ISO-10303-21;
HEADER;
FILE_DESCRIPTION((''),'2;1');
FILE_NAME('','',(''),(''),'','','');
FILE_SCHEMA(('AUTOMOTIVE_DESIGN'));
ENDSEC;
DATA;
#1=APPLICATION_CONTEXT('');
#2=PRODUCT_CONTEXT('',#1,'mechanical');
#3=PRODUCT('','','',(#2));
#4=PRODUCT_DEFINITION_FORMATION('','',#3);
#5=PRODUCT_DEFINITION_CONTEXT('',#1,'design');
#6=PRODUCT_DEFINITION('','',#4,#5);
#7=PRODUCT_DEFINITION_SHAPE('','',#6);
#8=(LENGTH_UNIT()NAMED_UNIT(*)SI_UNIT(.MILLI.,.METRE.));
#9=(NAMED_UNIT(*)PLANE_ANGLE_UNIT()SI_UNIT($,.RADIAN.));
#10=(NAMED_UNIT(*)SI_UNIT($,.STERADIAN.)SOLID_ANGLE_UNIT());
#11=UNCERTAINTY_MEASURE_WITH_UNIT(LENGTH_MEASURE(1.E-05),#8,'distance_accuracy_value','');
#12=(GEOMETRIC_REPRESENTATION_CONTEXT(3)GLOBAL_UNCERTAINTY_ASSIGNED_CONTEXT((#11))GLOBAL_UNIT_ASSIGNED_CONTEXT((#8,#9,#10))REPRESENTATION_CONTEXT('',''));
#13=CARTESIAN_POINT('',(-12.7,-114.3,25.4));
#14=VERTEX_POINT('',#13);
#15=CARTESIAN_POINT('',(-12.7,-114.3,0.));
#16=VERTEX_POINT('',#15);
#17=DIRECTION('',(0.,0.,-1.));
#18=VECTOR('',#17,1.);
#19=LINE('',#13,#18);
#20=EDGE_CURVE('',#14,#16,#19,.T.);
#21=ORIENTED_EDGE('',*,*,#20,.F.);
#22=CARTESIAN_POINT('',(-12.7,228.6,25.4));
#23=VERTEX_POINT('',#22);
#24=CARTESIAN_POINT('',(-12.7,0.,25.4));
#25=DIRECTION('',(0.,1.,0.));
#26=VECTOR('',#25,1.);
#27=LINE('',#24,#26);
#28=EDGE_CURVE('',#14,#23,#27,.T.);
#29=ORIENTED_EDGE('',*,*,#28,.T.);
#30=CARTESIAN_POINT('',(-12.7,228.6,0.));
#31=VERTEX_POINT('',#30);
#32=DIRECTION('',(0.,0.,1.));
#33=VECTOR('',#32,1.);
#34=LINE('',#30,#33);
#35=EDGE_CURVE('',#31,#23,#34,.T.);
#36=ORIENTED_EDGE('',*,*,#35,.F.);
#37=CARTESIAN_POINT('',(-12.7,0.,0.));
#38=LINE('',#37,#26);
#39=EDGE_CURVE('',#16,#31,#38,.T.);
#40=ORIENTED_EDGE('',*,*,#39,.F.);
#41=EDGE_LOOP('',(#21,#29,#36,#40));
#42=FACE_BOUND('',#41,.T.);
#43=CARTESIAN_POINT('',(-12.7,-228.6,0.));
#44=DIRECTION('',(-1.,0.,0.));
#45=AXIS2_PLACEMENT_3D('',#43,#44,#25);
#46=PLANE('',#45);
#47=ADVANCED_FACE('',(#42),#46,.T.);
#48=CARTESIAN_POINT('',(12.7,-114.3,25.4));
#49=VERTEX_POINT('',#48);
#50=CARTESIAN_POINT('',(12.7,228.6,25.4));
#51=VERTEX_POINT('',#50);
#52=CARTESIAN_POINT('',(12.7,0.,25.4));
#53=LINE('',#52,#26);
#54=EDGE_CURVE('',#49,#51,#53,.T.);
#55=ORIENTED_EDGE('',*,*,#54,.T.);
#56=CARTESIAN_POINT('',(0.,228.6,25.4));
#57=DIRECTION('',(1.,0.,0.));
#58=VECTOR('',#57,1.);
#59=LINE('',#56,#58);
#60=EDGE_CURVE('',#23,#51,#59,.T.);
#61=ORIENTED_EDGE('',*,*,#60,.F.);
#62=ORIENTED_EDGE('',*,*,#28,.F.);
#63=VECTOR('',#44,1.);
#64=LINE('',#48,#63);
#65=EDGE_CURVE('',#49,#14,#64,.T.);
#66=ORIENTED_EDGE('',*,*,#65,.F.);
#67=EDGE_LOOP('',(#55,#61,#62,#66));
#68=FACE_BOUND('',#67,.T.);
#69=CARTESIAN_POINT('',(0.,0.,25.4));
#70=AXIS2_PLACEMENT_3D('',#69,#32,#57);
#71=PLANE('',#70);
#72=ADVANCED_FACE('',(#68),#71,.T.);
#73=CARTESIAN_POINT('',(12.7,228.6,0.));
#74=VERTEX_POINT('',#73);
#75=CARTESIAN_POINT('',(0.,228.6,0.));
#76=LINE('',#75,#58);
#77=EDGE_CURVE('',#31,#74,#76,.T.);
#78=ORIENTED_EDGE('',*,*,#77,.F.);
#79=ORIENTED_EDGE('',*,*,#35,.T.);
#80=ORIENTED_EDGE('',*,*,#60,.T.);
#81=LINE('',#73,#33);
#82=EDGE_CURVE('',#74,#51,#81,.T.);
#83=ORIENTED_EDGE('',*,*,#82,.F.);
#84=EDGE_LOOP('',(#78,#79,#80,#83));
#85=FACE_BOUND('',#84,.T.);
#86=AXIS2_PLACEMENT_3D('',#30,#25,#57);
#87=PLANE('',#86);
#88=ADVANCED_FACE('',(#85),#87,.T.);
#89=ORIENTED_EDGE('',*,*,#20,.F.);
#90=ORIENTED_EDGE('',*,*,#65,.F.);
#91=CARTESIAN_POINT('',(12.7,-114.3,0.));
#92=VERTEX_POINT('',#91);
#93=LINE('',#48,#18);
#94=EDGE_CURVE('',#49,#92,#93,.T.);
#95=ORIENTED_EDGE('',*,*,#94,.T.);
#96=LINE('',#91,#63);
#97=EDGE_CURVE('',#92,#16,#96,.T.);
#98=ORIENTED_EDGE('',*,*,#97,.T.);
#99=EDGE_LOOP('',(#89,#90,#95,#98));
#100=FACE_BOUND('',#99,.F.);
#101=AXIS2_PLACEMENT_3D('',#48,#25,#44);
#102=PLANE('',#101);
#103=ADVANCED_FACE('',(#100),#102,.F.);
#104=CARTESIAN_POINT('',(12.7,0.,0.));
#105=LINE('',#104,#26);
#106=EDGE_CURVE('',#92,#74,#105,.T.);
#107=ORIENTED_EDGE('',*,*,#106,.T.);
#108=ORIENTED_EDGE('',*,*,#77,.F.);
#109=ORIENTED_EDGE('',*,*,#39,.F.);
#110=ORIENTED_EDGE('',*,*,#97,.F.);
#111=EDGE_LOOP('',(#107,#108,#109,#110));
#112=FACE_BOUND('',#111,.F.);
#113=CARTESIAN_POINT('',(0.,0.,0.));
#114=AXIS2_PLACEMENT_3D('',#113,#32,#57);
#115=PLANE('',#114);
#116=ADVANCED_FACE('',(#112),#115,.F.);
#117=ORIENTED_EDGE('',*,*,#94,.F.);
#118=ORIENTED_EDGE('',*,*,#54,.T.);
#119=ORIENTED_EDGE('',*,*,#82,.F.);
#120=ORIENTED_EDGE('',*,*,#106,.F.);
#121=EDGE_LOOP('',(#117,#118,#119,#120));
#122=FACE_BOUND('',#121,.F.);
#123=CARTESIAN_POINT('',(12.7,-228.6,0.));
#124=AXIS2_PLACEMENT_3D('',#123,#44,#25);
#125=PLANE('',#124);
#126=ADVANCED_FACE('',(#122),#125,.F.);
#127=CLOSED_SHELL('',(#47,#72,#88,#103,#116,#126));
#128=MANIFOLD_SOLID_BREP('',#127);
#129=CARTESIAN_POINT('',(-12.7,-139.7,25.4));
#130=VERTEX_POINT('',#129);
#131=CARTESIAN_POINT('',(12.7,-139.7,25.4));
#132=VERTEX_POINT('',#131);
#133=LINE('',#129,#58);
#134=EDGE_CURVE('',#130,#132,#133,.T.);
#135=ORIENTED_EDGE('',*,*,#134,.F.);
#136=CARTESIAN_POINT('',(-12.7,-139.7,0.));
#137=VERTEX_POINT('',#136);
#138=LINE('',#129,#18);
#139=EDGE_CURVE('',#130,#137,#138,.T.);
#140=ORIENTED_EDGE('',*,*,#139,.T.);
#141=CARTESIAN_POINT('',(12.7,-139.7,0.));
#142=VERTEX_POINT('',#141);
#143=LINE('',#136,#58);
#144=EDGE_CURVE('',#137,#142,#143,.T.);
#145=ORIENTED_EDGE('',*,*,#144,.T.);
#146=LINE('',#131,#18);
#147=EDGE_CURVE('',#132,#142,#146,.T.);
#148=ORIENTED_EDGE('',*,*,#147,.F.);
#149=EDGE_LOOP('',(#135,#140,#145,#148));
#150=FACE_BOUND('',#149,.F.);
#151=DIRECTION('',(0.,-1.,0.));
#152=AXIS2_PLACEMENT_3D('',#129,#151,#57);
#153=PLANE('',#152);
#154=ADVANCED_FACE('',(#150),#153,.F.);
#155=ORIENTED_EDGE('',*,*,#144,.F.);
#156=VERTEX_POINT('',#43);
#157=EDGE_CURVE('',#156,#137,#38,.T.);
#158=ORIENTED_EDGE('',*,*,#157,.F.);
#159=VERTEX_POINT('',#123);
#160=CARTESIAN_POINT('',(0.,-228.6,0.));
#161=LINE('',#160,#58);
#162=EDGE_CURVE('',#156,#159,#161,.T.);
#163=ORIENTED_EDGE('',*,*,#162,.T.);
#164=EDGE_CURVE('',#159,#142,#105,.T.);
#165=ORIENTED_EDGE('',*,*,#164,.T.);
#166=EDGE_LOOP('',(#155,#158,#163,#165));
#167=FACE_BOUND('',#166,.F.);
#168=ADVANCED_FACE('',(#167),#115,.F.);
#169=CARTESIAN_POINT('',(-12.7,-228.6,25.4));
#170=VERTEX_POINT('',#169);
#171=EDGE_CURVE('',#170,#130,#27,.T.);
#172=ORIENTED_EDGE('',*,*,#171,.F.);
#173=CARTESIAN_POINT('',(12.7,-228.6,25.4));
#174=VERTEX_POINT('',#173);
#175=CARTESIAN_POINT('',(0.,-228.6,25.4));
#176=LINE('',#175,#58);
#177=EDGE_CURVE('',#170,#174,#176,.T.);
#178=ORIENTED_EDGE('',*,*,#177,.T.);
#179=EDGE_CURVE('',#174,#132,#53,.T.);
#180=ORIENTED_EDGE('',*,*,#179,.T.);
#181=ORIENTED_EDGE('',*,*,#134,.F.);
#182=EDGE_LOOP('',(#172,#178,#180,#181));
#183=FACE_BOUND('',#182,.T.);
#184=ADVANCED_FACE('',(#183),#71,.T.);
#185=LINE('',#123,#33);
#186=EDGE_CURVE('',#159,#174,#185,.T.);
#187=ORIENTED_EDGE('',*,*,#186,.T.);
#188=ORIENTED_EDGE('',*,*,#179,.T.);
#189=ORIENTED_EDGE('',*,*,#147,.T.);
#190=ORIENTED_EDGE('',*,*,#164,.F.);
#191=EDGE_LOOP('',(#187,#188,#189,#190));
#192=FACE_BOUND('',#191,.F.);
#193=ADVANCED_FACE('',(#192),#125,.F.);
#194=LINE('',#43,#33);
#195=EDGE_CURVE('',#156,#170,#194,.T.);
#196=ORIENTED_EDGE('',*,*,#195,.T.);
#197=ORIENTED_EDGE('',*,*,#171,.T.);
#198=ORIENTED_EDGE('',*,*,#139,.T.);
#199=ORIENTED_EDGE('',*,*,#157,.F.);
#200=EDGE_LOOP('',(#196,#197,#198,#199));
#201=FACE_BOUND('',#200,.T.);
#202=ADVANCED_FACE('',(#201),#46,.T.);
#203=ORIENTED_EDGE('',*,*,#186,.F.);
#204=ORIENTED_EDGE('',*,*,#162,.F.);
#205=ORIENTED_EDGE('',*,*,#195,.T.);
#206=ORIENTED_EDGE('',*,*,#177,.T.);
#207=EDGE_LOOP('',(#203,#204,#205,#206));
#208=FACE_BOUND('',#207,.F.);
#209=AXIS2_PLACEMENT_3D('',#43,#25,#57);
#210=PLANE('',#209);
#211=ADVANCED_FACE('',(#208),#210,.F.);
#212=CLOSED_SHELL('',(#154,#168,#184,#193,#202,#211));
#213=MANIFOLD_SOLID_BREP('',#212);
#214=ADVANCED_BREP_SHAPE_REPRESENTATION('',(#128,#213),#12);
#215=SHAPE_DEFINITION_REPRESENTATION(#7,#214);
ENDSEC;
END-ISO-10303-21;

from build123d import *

# Parameters (mm, degrees)
F0_W     = 25.4
F0_H     = 457.2
F1_DEPTH = 25.4
F2_W     = 12.7
F2_H     = 25.4
F3_DEPTH = 25.4


with BuildPart() as f1:
    # F0 (on Top) → F1 (new body)
    with BuildSketch(Plane.XY):
        Rectangle(F0_W, F0_H)
    extrude(amount=F1_DEPTH)

    # F2 (on face) → F3 (cut)
    with BuildSketch(Plane.XY.offset(25.4)):
        with Locations((6.35, -127)):
            Rectangle(F2_W, F2_H)
        with Locations((-6.35, -127)):
            Rectangle(F2_W, F2_H)
    extrude(amount=-F3_DEPTH, mode=Mode.SUBTRACT)


solid = f1.part
